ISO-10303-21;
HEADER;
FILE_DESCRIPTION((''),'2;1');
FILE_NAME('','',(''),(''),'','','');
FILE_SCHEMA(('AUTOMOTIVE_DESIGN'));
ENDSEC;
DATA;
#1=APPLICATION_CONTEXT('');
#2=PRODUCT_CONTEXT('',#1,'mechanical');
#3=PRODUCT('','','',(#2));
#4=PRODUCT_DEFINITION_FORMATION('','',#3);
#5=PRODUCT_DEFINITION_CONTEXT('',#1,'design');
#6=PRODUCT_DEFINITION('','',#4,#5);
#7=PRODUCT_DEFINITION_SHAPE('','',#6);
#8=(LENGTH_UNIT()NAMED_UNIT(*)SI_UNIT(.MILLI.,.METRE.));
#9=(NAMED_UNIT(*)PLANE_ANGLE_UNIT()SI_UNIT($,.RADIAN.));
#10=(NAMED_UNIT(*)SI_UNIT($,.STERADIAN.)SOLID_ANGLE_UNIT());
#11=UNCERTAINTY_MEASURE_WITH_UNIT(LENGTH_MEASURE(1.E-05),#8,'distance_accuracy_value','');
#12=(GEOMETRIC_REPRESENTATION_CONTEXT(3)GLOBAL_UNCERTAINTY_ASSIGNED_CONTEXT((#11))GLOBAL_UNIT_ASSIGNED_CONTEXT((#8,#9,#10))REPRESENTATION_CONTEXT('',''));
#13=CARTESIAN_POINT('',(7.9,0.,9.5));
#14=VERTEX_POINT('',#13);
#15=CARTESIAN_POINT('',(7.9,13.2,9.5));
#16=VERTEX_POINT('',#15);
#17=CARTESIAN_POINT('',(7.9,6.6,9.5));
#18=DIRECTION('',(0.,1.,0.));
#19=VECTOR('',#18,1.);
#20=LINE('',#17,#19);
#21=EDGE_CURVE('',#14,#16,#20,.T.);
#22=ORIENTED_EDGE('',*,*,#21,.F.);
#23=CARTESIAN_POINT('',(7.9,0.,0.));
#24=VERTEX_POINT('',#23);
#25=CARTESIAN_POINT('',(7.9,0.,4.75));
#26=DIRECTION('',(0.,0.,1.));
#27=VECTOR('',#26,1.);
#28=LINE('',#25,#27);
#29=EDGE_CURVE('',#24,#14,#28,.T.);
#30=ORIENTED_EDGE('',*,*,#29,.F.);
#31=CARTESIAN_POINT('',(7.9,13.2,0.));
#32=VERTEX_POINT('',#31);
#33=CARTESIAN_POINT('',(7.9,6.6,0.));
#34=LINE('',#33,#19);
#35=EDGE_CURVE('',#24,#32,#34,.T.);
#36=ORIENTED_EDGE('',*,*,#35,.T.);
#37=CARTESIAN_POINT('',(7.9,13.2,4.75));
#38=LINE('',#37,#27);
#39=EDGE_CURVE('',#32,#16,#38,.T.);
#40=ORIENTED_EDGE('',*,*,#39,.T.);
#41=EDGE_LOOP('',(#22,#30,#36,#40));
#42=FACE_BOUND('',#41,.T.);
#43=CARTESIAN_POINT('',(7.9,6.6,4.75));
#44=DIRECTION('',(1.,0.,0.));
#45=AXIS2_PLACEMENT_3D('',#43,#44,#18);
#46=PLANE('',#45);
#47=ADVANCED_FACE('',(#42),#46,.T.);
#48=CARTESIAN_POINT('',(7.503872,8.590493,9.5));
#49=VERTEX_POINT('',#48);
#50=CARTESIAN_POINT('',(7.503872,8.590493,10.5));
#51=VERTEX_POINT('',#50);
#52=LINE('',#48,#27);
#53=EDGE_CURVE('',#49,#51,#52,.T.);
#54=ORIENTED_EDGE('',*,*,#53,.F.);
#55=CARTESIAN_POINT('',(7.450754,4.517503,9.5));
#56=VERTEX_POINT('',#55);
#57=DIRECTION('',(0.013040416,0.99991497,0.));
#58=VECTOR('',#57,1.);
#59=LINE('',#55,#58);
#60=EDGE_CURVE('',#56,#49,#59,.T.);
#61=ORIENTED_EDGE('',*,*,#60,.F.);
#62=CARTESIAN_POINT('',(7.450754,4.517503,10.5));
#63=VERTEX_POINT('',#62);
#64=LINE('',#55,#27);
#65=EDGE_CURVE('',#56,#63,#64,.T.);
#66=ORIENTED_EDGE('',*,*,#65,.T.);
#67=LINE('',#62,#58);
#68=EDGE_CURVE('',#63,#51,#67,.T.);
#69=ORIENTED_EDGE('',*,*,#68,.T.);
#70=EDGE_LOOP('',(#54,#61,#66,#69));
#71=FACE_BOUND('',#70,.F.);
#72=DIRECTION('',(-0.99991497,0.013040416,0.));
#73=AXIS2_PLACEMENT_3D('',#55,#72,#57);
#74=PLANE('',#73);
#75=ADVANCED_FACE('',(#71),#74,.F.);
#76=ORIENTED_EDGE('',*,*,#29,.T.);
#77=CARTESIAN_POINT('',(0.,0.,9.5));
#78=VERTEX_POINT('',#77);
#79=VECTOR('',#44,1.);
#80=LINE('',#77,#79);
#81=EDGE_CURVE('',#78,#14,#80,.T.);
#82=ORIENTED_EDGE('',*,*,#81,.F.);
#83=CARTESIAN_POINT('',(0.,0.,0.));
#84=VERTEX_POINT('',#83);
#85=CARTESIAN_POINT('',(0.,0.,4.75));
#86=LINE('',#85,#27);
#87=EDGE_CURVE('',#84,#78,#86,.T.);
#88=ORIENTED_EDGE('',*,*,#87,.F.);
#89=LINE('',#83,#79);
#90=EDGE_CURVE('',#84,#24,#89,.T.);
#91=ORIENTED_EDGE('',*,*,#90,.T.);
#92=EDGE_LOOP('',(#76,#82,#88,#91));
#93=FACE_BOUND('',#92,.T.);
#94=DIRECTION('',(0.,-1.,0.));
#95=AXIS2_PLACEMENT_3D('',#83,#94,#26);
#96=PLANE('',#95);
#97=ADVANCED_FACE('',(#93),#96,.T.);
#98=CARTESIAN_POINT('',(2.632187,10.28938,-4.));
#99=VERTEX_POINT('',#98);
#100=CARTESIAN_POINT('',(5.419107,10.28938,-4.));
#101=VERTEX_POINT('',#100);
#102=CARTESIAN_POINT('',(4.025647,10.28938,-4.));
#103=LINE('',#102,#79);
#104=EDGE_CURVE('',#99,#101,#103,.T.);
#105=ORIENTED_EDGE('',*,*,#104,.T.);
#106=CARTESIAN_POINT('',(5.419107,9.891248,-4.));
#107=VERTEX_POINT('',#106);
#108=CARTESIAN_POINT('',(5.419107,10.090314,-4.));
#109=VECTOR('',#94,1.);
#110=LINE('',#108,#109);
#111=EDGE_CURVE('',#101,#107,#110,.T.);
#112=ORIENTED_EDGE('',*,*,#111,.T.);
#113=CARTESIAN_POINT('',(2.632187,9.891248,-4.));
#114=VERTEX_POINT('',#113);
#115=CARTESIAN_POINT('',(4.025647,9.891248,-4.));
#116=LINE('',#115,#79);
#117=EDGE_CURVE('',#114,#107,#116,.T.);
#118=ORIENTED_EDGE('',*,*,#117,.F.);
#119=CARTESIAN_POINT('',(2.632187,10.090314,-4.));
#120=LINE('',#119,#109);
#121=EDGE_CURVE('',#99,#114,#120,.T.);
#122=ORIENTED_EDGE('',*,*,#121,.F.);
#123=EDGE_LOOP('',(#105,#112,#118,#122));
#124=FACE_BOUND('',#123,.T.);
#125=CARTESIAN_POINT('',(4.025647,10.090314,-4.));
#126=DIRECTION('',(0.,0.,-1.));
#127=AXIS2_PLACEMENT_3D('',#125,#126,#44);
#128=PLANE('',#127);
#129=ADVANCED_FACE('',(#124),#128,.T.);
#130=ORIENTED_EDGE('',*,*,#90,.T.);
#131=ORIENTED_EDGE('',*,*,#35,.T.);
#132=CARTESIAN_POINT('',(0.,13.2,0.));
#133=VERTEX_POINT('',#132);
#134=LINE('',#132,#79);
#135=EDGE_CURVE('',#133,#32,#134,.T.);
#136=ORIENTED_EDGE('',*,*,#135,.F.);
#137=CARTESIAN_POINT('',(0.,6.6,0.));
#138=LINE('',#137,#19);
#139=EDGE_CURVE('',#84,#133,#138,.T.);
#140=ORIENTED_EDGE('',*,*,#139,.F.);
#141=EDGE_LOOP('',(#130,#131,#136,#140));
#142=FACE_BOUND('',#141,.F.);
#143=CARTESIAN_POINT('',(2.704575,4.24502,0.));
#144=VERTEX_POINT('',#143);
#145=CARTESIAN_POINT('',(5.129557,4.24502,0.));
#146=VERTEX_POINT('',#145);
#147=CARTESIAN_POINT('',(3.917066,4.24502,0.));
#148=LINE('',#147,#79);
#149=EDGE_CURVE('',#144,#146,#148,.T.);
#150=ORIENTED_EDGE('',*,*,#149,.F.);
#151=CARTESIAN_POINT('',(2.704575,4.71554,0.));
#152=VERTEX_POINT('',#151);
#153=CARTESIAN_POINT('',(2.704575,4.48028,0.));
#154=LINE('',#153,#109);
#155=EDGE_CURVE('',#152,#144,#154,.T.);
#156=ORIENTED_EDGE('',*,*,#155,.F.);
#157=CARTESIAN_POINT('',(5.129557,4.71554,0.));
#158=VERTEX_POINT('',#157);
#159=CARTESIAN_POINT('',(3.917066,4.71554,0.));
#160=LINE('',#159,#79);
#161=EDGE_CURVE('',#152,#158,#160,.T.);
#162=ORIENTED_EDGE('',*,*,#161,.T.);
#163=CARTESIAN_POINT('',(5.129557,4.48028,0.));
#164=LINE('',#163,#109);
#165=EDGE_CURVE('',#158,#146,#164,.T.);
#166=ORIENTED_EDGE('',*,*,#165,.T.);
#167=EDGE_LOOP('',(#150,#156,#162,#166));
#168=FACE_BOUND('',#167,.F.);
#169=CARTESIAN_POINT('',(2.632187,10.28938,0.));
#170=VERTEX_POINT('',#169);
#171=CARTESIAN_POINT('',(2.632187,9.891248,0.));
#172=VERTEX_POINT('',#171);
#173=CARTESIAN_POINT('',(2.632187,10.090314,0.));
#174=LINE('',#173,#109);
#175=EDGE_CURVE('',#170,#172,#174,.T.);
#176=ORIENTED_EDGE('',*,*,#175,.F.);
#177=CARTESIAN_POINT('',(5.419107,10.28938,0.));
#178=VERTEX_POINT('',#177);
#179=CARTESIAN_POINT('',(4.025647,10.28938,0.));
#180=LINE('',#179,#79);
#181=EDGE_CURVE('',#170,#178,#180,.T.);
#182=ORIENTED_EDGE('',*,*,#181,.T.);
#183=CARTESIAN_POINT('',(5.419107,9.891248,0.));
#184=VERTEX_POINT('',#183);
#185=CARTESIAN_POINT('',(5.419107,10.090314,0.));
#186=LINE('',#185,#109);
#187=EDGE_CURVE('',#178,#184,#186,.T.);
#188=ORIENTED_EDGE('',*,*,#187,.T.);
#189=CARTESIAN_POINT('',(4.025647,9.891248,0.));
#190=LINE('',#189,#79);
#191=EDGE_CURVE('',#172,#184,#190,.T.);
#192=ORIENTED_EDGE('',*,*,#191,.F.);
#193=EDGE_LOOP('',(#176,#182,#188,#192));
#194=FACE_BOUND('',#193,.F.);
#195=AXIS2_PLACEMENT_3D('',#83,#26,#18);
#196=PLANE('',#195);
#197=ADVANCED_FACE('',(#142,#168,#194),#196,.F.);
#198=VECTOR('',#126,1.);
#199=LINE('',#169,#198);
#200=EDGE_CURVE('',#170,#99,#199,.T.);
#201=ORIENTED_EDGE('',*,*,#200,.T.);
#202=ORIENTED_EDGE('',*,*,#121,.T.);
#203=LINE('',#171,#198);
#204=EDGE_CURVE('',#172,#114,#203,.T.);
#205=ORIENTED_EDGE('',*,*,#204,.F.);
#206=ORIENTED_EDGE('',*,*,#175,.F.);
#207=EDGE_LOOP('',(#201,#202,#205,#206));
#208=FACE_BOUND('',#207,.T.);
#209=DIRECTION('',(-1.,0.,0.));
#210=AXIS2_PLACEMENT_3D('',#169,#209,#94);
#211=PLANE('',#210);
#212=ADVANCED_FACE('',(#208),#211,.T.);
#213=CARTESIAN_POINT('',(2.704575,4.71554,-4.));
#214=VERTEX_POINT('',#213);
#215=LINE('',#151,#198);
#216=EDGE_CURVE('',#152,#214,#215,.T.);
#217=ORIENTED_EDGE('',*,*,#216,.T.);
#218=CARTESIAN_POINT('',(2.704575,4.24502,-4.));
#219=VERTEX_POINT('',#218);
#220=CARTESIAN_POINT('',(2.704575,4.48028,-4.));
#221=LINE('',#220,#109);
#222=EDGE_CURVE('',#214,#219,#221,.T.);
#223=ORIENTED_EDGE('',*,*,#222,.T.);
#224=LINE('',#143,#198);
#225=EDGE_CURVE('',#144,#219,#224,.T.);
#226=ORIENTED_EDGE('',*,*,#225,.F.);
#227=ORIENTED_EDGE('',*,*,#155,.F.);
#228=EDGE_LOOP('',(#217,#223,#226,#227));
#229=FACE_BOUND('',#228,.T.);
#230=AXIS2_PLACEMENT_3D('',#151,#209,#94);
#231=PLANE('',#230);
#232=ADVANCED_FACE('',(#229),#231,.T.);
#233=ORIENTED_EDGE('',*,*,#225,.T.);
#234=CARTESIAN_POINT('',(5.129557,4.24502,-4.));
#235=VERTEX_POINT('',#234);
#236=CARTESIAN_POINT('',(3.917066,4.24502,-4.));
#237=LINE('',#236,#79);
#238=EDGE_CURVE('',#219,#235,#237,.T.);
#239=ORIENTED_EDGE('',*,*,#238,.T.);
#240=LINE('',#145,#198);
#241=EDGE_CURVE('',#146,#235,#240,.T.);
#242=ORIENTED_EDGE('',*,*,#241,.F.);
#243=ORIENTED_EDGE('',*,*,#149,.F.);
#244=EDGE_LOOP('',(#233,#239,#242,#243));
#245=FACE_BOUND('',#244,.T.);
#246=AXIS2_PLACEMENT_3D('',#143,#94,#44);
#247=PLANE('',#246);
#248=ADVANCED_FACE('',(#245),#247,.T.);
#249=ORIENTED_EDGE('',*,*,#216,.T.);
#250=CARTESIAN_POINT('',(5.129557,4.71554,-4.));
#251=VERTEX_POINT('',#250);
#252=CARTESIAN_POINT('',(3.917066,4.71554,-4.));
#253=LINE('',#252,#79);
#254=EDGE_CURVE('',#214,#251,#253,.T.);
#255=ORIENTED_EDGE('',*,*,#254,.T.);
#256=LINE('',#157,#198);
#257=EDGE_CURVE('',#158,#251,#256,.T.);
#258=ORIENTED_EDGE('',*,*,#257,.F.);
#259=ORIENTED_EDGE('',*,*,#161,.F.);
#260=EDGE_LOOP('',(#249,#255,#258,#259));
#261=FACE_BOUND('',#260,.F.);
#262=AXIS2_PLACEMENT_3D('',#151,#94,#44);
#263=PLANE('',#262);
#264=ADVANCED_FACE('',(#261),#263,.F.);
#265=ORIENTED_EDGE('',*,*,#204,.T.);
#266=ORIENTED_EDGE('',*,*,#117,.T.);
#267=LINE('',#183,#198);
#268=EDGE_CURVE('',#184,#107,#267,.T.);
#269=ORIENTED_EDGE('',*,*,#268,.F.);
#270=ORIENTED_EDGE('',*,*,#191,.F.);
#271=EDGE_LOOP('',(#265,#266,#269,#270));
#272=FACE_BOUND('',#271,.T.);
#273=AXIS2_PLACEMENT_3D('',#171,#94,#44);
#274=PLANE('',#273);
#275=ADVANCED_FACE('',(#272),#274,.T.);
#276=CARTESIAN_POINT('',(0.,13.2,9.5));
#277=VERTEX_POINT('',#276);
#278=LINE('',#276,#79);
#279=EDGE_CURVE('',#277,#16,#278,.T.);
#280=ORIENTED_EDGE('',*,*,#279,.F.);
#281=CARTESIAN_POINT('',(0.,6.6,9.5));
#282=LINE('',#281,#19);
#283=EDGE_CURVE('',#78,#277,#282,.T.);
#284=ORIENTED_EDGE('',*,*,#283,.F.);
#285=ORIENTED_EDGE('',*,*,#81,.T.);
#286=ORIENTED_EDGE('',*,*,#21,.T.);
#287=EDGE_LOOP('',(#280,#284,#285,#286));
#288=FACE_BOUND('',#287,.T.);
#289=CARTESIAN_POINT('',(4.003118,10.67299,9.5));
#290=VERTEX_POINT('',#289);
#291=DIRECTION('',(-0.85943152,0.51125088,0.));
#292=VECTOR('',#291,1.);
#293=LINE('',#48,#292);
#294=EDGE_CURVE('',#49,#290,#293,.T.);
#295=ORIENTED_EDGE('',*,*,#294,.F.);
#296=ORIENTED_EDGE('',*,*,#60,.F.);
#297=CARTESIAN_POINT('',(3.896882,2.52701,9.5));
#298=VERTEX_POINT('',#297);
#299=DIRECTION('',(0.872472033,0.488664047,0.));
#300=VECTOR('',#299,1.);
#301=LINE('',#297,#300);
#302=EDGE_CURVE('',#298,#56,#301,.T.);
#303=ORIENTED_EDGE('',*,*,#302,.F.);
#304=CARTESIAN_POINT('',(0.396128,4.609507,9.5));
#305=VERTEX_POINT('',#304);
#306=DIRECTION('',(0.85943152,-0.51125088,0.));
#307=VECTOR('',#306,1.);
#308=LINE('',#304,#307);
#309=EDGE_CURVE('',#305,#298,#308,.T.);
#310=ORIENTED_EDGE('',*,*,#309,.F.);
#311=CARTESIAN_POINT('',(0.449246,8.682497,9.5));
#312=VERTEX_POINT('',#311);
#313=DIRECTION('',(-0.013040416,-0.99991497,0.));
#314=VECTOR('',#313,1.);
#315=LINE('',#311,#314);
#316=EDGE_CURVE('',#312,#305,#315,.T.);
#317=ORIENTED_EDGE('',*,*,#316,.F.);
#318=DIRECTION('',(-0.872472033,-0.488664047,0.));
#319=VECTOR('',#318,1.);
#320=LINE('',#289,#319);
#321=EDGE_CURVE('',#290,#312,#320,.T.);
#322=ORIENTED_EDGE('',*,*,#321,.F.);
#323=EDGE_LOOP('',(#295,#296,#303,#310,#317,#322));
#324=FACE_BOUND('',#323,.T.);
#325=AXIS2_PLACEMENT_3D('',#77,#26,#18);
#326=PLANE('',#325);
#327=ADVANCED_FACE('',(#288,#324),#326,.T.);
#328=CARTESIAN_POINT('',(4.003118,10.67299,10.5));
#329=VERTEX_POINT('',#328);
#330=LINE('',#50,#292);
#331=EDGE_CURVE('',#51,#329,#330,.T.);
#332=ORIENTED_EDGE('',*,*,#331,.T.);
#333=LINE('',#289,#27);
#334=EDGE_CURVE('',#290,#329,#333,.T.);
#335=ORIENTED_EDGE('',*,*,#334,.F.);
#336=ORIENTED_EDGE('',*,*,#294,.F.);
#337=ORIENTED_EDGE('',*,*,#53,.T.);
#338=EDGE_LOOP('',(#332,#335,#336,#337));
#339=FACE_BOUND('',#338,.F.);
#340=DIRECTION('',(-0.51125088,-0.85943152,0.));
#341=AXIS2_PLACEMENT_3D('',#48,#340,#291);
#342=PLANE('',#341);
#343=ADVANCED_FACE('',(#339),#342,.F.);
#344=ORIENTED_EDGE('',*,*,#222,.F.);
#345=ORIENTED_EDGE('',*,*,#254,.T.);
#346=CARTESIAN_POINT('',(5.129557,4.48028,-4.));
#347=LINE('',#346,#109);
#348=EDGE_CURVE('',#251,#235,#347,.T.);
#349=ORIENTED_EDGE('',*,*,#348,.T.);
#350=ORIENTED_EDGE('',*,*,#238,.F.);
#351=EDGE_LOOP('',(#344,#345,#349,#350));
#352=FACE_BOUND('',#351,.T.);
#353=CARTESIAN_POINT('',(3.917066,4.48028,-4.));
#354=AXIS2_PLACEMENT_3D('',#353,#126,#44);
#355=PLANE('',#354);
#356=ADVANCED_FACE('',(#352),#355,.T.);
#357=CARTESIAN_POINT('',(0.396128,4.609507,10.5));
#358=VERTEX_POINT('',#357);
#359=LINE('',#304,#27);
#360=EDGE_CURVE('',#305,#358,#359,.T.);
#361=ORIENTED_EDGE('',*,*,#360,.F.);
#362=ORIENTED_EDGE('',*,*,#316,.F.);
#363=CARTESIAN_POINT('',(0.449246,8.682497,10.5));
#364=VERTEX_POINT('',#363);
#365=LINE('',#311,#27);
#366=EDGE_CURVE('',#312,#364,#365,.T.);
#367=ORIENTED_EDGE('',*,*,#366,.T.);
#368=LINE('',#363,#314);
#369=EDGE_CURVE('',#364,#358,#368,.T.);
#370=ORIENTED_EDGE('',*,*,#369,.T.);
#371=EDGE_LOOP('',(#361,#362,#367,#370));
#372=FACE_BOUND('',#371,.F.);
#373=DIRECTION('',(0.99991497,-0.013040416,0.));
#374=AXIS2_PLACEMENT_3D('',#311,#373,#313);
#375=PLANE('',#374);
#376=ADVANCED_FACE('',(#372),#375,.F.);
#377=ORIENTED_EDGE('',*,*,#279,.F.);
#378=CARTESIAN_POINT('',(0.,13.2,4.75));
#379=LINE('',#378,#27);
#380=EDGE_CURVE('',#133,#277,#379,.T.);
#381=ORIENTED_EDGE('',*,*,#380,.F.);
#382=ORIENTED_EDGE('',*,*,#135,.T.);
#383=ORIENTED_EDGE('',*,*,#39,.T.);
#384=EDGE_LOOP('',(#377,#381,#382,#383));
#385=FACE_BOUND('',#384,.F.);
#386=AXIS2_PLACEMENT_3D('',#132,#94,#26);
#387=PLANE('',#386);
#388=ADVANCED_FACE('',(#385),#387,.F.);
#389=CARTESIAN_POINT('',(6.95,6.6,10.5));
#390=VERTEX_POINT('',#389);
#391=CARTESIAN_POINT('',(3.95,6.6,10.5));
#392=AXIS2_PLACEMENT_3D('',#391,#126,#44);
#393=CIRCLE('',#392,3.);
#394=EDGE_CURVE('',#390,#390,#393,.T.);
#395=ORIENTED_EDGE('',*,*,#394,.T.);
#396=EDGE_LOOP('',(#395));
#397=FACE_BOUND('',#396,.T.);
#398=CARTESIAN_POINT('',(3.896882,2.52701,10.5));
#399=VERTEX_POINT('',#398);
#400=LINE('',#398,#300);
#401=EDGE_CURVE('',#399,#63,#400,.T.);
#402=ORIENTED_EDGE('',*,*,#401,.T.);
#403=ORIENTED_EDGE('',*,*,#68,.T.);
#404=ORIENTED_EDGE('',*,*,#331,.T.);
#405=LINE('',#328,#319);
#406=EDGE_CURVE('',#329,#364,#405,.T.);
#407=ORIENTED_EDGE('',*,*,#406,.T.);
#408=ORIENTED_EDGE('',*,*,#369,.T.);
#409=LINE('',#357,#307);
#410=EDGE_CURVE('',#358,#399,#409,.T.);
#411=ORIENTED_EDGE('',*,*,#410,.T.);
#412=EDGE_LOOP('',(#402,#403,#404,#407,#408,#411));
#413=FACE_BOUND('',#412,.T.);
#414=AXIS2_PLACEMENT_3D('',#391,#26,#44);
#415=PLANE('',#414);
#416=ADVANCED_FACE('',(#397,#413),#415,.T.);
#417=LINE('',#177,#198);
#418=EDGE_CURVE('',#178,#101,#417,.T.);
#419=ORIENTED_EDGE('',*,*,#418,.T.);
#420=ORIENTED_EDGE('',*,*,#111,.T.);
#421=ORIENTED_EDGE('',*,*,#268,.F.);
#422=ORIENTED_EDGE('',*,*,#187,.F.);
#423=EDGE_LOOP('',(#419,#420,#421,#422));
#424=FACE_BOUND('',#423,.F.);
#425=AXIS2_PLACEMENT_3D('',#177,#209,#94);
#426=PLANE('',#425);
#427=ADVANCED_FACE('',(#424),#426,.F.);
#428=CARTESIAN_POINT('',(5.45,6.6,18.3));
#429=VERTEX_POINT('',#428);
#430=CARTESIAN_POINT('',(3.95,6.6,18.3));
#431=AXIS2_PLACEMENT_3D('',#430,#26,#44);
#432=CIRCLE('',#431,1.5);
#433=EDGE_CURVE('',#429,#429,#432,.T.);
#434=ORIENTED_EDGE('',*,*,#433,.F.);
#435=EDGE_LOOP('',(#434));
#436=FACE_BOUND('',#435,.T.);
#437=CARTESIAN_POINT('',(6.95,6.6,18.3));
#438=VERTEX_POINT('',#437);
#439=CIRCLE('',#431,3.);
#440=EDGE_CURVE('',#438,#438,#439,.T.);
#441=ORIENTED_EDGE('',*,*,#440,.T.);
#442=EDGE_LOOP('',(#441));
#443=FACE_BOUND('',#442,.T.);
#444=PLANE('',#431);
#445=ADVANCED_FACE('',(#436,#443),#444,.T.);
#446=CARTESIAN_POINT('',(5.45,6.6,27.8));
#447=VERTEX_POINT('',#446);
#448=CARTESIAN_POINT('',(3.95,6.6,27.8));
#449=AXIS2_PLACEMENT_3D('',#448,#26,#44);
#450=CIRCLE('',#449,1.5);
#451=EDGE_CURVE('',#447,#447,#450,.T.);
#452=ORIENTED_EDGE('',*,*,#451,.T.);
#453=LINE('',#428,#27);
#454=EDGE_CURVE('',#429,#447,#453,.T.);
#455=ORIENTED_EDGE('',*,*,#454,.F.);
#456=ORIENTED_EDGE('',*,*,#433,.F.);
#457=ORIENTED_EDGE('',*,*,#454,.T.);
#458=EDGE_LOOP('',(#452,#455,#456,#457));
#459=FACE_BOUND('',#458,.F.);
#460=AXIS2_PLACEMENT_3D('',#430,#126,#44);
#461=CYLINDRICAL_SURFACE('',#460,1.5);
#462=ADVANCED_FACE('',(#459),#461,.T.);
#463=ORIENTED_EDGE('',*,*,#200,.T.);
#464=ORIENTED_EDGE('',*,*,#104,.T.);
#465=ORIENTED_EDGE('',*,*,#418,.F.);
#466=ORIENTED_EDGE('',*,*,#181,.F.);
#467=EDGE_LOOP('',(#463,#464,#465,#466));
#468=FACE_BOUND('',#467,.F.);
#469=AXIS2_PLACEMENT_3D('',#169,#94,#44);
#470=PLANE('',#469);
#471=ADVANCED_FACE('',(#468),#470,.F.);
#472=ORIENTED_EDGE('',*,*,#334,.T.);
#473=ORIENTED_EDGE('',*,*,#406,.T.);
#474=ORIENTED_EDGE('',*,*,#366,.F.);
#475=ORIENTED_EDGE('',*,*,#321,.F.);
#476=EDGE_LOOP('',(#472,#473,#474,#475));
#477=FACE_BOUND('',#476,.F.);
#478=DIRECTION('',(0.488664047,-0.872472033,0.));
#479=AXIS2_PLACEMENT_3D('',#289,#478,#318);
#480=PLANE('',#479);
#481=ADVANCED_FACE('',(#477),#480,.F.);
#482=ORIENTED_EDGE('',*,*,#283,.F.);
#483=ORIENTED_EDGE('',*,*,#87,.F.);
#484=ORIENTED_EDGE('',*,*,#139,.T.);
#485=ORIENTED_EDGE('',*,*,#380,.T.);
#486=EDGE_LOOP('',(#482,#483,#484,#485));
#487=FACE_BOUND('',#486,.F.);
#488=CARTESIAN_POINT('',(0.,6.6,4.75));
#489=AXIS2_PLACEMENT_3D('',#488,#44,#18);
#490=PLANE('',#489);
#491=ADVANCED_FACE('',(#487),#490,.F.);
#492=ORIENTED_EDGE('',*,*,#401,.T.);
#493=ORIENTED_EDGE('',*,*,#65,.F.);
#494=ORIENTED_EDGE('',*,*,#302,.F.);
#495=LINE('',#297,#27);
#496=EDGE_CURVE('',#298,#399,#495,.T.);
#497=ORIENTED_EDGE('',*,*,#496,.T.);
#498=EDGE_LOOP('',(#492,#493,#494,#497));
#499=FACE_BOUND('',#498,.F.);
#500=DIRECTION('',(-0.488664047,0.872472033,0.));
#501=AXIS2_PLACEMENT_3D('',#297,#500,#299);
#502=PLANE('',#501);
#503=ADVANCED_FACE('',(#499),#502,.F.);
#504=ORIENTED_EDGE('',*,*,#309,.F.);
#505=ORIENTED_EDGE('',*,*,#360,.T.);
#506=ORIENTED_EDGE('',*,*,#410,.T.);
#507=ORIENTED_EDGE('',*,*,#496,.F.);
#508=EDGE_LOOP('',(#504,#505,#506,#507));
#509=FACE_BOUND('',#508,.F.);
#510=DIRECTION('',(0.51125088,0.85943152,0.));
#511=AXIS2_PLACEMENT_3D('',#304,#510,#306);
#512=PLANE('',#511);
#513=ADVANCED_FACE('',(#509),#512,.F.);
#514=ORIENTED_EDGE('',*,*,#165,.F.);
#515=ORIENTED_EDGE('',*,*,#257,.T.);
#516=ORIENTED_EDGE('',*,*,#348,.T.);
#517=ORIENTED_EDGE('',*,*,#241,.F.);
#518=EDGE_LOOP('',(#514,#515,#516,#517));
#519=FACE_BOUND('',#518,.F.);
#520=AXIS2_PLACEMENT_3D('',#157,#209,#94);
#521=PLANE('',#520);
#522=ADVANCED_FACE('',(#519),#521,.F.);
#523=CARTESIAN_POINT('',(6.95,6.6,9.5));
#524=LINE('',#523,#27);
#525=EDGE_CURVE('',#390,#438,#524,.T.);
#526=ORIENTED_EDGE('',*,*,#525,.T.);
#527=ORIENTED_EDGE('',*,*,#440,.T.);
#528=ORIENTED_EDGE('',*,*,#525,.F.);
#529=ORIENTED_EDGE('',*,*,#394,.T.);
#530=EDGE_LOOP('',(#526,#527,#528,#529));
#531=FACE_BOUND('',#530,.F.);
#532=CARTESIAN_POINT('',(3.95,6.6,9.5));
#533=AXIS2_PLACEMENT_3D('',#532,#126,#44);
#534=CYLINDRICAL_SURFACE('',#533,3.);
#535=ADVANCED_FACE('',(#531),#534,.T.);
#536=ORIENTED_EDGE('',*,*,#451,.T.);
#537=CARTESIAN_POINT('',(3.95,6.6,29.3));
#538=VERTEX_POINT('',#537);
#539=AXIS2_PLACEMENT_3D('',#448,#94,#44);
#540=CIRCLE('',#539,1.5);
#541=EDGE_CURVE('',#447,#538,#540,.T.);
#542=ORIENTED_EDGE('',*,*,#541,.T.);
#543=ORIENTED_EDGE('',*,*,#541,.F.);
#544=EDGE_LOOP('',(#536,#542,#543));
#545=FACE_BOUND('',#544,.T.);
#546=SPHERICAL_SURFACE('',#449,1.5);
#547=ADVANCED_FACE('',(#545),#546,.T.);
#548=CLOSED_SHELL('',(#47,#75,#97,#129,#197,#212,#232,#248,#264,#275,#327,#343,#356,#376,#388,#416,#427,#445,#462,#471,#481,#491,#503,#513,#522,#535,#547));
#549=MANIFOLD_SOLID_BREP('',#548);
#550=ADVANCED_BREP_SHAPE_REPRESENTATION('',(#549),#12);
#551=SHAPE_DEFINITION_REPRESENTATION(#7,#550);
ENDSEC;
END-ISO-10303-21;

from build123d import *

# Parameters (mm, degrees)
F0_W      = 13.2
F0_H      = 9.5
F1_DEPTH  = 7.9
F2_R      = 3
F3_DEPTH  = 8.8
F4_R      = 1.5
F5_DEPTH  = 11
F6_R      = 1.5
F7_W      = 2.424983
F7_H      = 0.470519
F7_W_2    = 2.78692
F7_H_2    = 0.398131
F8_DEPTH  = 4
F10_DEPTH = 1


with BuildPart() as f1:
    # F0 (on Right) → F1 (new body)
    with BuildSketch(Plane.YZ):
        with Locations((6.6, 4.75)):
            Rectangle(F0_W, F0_H)
    extrude(amount=F1_DEPTH)

    # F2 (on face) → F3 (join)
    with BuildSketch(Plane.XY.offset(9.5)):
        with Locations((3.95, 6.6)):
            Circle(F2_R)
    extrude(amount=F3_DEPTH)

    # F4 (on face) → F5 (join)
    with BuildSketch(Plane.XY.offset(18.3)):
        with Locations((3.95, 6.6)):
            Circle(F4_R)
    extrude(amount=F5_DEPTH)

    # F6
    f6_edges = [f1.edges().sort_by_distance(p)[0] for p in [
        (2.45, 6.6, 29.3),
    ]]
    fillet(f6_edges, radius=F6_R)

    # F7 (on face) → F8 (join)
    with BuildSketch(Plane(origin=(0, 0, 0), x_dir=(1, 0, 0), z_dir=(0, 0, -1))):
        with Locations((3.917066, -4.48028)):
            Rectangle(F7_W, F7_H)
        with Locations((4.025647, -10.090314)):
            Rectangle(F7_W_2, F7_H_2)
    extrude(amount=F8_DEPTH)

    # F9 (on face) → F10 (join)
    with BuildSketch(Plane.XY.offset(9.5)):
        Polygon((3.896882, 2.52701), (7.450754, 4.517503), (7.503872, 8.590493), (4.003118, 10.67299), (0.449246, 8.682497), (0.396128, 4.609507), align=None)
    extrude(amount=F10_DEPTH)


solid = f1.part
